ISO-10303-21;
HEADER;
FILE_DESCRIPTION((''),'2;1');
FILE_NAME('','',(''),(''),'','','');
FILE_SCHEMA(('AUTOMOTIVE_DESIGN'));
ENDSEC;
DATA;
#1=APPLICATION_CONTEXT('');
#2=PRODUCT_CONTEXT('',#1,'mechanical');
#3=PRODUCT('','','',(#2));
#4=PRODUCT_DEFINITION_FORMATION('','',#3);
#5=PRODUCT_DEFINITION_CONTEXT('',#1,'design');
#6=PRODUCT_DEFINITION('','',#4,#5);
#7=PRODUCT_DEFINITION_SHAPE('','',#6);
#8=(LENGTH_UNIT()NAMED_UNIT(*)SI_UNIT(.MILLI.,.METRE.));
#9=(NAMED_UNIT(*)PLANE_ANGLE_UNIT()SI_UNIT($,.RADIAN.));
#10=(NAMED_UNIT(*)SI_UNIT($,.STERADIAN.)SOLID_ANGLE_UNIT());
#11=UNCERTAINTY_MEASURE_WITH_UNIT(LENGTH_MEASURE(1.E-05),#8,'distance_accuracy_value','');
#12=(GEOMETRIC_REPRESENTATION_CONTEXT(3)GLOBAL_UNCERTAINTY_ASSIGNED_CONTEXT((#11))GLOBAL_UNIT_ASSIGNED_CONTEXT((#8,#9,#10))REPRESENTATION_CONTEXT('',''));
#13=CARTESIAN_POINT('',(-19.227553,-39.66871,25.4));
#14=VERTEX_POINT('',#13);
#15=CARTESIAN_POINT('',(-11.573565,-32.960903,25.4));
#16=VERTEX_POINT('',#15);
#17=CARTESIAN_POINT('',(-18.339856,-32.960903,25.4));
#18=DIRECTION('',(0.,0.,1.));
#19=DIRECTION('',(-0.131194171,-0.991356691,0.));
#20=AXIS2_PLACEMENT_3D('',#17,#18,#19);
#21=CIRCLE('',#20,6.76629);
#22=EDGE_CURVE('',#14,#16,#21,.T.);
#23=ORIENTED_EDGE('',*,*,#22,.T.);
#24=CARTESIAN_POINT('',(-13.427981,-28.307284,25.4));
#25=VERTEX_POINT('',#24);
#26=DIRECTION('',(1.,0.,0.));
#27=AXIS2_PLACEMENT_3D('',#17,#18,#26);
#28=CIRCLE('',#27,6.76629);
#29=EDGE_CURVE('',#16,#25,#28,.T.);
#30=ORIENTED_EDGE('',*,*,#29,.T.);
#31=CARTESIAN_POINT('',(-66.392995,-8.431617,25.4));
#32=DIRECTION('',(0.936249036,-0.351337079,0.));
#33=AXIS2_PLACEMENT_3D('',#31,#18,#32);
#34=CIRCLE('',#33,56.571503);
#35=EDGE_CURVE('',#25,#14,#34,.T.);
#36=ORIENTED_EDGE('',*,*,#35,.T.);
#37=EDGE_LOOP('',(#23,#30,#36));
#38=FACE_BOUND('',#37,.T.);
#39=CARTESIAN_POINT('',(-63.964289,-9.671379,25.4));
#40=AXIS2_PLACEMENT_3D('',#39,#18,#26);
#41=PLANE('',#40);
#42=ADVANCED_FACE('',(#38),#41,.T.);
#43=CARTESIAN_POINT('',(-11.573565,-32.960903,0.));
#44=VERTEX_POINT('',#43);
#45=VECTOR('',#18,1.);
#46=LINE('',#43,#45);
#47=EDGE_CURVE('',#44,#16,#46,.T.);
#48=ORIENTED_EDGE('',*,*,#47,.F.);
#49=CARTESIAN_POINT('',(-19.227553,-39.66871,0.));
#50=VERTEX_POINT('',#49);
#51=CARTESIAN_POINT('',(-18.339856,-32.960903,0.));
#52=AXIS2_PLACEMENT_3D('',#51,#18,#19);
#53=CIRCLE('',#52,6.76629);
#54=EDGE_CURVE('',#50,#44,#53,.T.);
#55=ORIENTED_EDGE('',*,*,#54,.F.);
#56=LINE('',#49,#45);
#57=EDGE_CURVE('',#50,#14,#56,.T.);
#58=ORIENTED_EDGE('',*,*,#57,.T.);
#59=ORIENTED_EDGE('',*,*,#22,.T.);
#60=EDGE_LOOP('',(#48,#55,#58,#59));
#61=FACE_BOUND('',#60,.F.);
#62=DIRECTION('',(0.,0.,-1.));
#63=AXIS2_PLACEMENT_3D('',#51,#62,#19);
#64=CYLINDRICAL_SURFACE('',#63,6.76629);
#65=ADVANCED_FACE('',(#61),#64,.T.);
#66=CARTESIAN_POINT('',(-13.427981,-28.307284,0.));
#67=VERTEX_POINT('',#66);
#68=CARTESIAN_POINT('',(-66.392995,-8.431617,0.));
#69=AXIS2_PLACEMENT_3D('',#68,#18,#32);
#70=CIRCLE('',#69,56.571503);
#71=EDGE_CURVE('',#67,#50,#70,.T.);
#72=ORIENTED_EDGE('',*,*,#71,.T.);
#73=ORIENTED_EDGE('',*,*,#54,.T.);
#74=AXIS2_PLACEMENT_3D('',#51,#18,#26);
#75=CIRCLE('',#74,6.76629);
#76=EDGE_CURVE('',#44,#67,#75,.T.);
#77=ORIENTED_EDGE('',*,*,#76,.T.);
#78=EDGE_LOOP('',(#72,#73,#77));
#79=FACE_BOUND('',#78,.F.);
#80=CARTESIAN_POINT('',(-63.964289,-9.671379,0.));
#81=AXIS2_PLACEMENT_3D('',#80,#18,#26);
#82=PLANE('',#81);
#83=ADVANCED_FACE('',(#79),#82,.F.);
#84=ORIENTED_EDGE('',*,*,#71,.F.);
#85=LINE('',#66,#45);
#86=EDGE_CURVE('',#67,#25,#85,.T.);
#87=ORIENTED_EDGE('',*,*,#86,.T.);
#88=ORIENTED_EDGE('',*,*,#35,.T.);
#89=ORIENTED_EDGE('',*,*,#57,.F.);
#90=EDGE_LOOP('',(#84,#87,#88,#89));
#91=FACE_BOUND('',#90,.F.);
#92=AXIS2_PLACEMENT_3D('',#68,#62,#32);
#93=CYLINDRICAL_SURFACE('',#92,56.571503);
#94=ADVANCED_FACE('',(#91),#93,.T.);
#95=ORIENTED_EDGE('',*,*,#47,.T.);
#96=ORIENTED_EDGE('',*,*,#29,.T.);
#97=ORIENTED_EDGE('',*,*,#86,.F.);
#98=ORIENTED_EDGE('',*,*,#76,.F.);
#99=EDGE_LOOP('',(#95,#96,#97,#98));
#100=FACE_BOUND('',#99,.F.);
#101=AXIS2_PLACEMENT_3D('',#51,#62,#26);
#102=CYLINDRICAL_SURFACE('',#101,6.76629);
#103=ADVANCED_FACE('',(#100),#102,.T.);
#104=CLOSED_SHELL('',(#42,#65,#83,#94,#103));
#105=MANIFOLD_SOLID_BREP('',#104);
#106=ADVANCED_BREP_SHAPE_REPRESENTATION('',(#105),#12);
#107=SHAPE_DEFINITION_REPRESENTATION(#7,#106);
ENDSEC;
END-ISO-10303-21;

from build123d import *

# Parameters (mm, degrees)
F1_DEPTH = 25.4


with BuildPart() as f1:
    # F0 (on Top) → F1 (new body)
    with BuildSketch(Plane.XY):
        with BuildLine():
            ThreePointArc((-13.427980733, -28.3072836411), (-10.7304166044, -18.5317269745), (-9.8214928904, -8.4316171706))
            ThreePointArc((-9.8214928904, -8.4316171706), (-120.5619663168, 7.8796516275), (-19.2275534657, -39.6687102438))
            ThreePointArc((-19.2275534657, -39.6687102438), (-24.3663806094, -29.8845929113), (-13.427980733, -28.3072836411))
        make_face()
        with BuildLine():
            ThreePointArc((-13.427980733, -28.3072836411), (-24.3663806094, -29.8845929113), (-19.2275534657, -39.6687102438))
            ThreePointArc((-19.2275534657, -39.6687102438), (-16.006513201, -34.1519847421), (-13.427980733, -28.3072836411))
        make_face()
        with BuildLine():
            ThreePointArc((-13.427980733, -28.3072836411), (-16.006513201, -34.1519847421), (-19.2275534657, -39.6687102438))
            ThreePointArc((-19.2275534657, -39.6687102438), (-13.8802443335, -38.0495721027), (-11.5735651152, -32.9609028995))
            ThreePointArc((-11.5735651152, -32.9609028995), (-12.0542426984, -30.456155932), (-13.427980733, -28.3072836411))
        make_face()
    extrude(amount=F1_DEPTH)


solid = f1.part
